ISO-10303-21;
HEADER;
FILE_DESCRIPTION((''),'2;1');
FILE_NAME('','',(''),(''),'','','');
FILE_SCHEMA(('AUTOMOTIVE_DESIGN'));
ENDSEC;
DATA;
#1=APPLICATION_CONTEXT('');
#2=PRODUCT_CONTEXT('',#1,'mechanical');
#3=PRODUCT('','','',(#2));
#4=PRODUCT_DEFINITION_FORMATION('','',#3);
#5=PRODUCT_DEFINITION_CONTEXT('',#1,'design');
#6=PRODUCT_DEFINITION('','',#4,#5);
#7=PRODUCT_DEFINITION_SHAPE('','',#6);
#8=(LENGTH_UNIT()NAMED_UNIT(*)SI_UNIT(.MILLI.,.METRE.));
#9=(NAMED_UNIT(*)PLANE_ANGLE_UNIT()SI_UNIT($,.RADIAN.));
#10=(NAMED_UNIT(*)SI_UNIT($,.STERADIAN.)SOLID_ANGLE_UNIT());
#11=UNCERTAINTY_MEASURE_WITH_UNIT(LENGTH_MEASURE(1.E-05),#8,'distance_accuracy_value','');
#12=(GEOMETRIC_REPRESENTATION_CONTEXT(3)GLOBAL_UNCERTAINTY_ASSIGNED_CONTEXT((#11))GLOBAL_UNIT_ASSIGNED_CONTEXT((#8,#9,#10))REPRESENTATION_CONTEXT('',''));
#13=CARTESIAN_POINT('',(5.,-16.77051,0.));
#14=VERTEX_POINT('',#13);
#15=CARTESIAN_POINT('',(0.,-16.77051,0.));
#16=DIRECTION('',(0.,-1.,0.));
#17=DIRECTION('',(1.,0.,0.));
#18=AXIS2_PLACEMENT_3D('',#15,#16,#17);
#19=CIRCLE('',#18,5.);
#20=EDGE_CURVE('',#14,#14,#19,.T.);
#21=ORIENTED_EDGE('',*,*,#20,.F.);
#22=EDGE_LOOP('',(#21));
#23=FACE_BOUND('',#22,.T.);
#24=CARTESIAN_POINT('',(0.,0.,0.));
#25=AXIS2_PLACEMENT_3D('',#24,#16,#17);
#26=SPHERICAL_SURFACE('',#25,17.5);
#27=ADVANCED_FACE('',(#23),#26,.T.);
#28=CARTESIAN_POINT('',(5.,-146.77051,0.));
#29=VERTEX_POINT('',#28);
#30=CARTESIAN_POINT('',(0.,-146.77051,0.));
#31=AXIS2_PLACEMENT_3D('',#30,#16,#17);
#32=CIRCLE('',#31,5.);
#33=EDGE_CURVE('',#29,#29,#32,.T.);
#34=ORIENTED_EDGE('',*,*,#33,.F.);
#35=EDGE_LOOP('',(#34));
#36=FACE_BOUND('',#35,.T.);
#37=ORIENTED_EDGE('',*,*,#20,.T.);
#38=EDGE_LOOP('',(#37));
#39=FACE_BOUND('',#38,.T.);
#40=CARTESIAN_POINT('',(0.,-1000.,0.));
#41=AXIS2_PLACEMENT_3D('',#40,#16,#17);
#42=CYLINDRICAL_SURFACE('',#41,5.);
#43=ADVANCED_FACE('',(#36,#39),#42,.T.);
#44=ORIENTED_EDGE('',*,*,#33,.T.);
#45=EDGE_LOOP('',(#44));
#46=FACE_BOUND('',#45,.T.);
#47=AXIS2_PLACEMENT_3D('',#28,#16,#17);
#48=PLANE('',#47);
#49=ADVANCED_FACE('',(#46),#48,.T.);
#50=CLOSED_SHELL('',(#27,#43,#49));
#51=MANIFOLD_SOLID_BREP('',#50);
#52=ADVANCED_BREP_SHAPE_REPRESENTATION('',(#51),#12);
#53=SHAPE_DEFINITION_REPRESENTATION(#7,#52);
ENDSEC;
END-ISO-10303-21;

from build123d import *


with BuildPart() as part:
    # Sketch1 → Revolve1 (revolve)
    with BuildSketch(Plane.XY):
        with BuildLine():
            Line((5, -16.770509831), (5, -146.770509831))
            Line((5, -146.770509831), (0, -146.770509831))
            Line((0, -146.770509831), (0, -1.75))
            Line((0, -1.75), (0, 17.5))
            ThreePointArc((0, 17.5), (17.316667145, 2.526467688), (5, -16.770509831))
        make_face()
    revolve(axis=Axis((0, -1000, 0), (0, 1, 0)))


solid = part.part
